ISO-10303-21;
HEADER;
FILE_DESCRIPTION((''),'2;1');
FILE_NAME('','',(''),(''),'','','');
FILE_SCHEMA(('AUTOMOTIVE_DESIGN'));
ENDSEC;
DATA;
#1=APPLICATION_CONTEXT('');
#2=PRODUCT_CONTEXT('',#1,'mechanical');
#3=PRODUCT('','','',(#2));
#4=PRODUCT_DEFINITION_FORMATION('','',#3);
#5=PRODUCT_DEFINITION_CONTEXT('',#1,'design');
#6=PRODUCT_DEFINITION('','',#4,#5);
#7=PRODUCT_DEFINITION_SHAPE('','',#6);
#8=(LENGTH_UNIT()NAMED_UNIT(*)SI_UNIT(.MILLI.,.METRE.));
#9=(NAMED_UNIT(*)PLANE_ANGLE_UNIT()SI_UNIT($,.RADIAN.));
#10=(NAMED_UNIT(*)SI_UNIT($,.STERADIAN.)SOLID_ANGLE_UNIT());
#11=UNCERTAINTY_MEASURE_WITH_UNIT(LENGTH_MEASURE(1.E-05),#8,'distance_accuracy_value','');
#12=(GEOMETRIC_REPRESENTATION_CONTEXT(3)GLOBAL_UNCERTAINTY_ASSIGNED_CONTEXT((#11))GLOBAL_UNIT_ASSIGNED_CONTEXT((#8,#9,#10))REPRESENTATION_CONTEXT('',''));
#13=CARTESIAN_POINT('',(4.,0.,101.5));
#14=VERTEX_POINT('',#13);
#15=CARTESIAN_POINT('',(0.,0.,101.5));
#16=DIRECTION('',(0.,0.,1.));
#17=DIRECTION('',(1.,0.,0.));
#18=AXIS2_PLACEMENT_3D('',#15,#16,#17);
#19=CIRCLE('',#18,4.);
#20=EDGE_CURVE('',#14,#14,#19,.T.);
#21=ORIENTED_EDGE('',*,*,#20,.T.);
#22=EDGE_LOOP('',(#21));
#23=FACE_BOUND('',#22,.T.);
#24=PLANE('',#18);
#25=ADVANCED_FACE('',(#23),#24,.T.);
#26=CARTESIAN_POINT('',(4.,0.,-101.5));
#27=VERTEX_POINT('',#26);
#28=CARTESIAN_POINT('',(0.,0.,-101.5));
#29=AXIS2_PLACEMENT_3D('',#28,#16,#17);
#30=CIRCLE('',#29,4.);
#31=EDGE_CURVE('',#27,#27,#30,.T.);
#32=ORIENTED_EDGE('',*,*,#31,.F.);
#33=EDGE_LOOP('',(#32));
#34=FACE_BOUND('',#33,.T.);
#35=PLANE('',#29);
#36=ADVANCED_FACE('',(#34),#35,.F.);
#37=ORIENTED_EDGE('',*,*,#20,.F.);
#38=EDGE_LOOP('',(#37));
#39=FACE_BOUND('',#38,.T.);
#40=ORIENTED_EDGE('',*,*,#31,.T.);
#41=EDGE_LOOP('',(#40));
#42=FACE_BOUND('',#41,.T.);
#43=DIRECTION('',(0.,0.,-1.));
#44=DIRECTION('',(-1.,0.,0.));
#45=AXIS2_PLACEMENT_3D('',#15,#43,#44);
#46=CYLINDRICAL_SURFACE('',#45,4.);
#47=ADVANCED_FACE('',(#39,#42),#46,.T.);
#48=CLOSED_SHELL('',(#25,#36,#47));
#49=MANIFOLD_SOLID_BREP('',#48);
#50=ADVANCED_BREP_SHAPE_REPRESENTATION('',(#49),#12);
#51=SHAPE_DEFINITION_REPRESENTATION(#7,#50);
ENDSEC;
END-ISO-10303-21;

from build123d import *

# Parameters (mm, degrees)
SKETCH_1_R      = 4
EXTRUDE_1_DEPTH = 101.5


with BuildPart() as part:
    # 草图1 → 凸台-拉伸1 (new body, symmetric)
    with BuildSketch(Plane.XY):
        Circle(SKETCH_1_R)
    extrude(amount=EXTRUDE_1_DEPTH, both=True)


solid = part.part
